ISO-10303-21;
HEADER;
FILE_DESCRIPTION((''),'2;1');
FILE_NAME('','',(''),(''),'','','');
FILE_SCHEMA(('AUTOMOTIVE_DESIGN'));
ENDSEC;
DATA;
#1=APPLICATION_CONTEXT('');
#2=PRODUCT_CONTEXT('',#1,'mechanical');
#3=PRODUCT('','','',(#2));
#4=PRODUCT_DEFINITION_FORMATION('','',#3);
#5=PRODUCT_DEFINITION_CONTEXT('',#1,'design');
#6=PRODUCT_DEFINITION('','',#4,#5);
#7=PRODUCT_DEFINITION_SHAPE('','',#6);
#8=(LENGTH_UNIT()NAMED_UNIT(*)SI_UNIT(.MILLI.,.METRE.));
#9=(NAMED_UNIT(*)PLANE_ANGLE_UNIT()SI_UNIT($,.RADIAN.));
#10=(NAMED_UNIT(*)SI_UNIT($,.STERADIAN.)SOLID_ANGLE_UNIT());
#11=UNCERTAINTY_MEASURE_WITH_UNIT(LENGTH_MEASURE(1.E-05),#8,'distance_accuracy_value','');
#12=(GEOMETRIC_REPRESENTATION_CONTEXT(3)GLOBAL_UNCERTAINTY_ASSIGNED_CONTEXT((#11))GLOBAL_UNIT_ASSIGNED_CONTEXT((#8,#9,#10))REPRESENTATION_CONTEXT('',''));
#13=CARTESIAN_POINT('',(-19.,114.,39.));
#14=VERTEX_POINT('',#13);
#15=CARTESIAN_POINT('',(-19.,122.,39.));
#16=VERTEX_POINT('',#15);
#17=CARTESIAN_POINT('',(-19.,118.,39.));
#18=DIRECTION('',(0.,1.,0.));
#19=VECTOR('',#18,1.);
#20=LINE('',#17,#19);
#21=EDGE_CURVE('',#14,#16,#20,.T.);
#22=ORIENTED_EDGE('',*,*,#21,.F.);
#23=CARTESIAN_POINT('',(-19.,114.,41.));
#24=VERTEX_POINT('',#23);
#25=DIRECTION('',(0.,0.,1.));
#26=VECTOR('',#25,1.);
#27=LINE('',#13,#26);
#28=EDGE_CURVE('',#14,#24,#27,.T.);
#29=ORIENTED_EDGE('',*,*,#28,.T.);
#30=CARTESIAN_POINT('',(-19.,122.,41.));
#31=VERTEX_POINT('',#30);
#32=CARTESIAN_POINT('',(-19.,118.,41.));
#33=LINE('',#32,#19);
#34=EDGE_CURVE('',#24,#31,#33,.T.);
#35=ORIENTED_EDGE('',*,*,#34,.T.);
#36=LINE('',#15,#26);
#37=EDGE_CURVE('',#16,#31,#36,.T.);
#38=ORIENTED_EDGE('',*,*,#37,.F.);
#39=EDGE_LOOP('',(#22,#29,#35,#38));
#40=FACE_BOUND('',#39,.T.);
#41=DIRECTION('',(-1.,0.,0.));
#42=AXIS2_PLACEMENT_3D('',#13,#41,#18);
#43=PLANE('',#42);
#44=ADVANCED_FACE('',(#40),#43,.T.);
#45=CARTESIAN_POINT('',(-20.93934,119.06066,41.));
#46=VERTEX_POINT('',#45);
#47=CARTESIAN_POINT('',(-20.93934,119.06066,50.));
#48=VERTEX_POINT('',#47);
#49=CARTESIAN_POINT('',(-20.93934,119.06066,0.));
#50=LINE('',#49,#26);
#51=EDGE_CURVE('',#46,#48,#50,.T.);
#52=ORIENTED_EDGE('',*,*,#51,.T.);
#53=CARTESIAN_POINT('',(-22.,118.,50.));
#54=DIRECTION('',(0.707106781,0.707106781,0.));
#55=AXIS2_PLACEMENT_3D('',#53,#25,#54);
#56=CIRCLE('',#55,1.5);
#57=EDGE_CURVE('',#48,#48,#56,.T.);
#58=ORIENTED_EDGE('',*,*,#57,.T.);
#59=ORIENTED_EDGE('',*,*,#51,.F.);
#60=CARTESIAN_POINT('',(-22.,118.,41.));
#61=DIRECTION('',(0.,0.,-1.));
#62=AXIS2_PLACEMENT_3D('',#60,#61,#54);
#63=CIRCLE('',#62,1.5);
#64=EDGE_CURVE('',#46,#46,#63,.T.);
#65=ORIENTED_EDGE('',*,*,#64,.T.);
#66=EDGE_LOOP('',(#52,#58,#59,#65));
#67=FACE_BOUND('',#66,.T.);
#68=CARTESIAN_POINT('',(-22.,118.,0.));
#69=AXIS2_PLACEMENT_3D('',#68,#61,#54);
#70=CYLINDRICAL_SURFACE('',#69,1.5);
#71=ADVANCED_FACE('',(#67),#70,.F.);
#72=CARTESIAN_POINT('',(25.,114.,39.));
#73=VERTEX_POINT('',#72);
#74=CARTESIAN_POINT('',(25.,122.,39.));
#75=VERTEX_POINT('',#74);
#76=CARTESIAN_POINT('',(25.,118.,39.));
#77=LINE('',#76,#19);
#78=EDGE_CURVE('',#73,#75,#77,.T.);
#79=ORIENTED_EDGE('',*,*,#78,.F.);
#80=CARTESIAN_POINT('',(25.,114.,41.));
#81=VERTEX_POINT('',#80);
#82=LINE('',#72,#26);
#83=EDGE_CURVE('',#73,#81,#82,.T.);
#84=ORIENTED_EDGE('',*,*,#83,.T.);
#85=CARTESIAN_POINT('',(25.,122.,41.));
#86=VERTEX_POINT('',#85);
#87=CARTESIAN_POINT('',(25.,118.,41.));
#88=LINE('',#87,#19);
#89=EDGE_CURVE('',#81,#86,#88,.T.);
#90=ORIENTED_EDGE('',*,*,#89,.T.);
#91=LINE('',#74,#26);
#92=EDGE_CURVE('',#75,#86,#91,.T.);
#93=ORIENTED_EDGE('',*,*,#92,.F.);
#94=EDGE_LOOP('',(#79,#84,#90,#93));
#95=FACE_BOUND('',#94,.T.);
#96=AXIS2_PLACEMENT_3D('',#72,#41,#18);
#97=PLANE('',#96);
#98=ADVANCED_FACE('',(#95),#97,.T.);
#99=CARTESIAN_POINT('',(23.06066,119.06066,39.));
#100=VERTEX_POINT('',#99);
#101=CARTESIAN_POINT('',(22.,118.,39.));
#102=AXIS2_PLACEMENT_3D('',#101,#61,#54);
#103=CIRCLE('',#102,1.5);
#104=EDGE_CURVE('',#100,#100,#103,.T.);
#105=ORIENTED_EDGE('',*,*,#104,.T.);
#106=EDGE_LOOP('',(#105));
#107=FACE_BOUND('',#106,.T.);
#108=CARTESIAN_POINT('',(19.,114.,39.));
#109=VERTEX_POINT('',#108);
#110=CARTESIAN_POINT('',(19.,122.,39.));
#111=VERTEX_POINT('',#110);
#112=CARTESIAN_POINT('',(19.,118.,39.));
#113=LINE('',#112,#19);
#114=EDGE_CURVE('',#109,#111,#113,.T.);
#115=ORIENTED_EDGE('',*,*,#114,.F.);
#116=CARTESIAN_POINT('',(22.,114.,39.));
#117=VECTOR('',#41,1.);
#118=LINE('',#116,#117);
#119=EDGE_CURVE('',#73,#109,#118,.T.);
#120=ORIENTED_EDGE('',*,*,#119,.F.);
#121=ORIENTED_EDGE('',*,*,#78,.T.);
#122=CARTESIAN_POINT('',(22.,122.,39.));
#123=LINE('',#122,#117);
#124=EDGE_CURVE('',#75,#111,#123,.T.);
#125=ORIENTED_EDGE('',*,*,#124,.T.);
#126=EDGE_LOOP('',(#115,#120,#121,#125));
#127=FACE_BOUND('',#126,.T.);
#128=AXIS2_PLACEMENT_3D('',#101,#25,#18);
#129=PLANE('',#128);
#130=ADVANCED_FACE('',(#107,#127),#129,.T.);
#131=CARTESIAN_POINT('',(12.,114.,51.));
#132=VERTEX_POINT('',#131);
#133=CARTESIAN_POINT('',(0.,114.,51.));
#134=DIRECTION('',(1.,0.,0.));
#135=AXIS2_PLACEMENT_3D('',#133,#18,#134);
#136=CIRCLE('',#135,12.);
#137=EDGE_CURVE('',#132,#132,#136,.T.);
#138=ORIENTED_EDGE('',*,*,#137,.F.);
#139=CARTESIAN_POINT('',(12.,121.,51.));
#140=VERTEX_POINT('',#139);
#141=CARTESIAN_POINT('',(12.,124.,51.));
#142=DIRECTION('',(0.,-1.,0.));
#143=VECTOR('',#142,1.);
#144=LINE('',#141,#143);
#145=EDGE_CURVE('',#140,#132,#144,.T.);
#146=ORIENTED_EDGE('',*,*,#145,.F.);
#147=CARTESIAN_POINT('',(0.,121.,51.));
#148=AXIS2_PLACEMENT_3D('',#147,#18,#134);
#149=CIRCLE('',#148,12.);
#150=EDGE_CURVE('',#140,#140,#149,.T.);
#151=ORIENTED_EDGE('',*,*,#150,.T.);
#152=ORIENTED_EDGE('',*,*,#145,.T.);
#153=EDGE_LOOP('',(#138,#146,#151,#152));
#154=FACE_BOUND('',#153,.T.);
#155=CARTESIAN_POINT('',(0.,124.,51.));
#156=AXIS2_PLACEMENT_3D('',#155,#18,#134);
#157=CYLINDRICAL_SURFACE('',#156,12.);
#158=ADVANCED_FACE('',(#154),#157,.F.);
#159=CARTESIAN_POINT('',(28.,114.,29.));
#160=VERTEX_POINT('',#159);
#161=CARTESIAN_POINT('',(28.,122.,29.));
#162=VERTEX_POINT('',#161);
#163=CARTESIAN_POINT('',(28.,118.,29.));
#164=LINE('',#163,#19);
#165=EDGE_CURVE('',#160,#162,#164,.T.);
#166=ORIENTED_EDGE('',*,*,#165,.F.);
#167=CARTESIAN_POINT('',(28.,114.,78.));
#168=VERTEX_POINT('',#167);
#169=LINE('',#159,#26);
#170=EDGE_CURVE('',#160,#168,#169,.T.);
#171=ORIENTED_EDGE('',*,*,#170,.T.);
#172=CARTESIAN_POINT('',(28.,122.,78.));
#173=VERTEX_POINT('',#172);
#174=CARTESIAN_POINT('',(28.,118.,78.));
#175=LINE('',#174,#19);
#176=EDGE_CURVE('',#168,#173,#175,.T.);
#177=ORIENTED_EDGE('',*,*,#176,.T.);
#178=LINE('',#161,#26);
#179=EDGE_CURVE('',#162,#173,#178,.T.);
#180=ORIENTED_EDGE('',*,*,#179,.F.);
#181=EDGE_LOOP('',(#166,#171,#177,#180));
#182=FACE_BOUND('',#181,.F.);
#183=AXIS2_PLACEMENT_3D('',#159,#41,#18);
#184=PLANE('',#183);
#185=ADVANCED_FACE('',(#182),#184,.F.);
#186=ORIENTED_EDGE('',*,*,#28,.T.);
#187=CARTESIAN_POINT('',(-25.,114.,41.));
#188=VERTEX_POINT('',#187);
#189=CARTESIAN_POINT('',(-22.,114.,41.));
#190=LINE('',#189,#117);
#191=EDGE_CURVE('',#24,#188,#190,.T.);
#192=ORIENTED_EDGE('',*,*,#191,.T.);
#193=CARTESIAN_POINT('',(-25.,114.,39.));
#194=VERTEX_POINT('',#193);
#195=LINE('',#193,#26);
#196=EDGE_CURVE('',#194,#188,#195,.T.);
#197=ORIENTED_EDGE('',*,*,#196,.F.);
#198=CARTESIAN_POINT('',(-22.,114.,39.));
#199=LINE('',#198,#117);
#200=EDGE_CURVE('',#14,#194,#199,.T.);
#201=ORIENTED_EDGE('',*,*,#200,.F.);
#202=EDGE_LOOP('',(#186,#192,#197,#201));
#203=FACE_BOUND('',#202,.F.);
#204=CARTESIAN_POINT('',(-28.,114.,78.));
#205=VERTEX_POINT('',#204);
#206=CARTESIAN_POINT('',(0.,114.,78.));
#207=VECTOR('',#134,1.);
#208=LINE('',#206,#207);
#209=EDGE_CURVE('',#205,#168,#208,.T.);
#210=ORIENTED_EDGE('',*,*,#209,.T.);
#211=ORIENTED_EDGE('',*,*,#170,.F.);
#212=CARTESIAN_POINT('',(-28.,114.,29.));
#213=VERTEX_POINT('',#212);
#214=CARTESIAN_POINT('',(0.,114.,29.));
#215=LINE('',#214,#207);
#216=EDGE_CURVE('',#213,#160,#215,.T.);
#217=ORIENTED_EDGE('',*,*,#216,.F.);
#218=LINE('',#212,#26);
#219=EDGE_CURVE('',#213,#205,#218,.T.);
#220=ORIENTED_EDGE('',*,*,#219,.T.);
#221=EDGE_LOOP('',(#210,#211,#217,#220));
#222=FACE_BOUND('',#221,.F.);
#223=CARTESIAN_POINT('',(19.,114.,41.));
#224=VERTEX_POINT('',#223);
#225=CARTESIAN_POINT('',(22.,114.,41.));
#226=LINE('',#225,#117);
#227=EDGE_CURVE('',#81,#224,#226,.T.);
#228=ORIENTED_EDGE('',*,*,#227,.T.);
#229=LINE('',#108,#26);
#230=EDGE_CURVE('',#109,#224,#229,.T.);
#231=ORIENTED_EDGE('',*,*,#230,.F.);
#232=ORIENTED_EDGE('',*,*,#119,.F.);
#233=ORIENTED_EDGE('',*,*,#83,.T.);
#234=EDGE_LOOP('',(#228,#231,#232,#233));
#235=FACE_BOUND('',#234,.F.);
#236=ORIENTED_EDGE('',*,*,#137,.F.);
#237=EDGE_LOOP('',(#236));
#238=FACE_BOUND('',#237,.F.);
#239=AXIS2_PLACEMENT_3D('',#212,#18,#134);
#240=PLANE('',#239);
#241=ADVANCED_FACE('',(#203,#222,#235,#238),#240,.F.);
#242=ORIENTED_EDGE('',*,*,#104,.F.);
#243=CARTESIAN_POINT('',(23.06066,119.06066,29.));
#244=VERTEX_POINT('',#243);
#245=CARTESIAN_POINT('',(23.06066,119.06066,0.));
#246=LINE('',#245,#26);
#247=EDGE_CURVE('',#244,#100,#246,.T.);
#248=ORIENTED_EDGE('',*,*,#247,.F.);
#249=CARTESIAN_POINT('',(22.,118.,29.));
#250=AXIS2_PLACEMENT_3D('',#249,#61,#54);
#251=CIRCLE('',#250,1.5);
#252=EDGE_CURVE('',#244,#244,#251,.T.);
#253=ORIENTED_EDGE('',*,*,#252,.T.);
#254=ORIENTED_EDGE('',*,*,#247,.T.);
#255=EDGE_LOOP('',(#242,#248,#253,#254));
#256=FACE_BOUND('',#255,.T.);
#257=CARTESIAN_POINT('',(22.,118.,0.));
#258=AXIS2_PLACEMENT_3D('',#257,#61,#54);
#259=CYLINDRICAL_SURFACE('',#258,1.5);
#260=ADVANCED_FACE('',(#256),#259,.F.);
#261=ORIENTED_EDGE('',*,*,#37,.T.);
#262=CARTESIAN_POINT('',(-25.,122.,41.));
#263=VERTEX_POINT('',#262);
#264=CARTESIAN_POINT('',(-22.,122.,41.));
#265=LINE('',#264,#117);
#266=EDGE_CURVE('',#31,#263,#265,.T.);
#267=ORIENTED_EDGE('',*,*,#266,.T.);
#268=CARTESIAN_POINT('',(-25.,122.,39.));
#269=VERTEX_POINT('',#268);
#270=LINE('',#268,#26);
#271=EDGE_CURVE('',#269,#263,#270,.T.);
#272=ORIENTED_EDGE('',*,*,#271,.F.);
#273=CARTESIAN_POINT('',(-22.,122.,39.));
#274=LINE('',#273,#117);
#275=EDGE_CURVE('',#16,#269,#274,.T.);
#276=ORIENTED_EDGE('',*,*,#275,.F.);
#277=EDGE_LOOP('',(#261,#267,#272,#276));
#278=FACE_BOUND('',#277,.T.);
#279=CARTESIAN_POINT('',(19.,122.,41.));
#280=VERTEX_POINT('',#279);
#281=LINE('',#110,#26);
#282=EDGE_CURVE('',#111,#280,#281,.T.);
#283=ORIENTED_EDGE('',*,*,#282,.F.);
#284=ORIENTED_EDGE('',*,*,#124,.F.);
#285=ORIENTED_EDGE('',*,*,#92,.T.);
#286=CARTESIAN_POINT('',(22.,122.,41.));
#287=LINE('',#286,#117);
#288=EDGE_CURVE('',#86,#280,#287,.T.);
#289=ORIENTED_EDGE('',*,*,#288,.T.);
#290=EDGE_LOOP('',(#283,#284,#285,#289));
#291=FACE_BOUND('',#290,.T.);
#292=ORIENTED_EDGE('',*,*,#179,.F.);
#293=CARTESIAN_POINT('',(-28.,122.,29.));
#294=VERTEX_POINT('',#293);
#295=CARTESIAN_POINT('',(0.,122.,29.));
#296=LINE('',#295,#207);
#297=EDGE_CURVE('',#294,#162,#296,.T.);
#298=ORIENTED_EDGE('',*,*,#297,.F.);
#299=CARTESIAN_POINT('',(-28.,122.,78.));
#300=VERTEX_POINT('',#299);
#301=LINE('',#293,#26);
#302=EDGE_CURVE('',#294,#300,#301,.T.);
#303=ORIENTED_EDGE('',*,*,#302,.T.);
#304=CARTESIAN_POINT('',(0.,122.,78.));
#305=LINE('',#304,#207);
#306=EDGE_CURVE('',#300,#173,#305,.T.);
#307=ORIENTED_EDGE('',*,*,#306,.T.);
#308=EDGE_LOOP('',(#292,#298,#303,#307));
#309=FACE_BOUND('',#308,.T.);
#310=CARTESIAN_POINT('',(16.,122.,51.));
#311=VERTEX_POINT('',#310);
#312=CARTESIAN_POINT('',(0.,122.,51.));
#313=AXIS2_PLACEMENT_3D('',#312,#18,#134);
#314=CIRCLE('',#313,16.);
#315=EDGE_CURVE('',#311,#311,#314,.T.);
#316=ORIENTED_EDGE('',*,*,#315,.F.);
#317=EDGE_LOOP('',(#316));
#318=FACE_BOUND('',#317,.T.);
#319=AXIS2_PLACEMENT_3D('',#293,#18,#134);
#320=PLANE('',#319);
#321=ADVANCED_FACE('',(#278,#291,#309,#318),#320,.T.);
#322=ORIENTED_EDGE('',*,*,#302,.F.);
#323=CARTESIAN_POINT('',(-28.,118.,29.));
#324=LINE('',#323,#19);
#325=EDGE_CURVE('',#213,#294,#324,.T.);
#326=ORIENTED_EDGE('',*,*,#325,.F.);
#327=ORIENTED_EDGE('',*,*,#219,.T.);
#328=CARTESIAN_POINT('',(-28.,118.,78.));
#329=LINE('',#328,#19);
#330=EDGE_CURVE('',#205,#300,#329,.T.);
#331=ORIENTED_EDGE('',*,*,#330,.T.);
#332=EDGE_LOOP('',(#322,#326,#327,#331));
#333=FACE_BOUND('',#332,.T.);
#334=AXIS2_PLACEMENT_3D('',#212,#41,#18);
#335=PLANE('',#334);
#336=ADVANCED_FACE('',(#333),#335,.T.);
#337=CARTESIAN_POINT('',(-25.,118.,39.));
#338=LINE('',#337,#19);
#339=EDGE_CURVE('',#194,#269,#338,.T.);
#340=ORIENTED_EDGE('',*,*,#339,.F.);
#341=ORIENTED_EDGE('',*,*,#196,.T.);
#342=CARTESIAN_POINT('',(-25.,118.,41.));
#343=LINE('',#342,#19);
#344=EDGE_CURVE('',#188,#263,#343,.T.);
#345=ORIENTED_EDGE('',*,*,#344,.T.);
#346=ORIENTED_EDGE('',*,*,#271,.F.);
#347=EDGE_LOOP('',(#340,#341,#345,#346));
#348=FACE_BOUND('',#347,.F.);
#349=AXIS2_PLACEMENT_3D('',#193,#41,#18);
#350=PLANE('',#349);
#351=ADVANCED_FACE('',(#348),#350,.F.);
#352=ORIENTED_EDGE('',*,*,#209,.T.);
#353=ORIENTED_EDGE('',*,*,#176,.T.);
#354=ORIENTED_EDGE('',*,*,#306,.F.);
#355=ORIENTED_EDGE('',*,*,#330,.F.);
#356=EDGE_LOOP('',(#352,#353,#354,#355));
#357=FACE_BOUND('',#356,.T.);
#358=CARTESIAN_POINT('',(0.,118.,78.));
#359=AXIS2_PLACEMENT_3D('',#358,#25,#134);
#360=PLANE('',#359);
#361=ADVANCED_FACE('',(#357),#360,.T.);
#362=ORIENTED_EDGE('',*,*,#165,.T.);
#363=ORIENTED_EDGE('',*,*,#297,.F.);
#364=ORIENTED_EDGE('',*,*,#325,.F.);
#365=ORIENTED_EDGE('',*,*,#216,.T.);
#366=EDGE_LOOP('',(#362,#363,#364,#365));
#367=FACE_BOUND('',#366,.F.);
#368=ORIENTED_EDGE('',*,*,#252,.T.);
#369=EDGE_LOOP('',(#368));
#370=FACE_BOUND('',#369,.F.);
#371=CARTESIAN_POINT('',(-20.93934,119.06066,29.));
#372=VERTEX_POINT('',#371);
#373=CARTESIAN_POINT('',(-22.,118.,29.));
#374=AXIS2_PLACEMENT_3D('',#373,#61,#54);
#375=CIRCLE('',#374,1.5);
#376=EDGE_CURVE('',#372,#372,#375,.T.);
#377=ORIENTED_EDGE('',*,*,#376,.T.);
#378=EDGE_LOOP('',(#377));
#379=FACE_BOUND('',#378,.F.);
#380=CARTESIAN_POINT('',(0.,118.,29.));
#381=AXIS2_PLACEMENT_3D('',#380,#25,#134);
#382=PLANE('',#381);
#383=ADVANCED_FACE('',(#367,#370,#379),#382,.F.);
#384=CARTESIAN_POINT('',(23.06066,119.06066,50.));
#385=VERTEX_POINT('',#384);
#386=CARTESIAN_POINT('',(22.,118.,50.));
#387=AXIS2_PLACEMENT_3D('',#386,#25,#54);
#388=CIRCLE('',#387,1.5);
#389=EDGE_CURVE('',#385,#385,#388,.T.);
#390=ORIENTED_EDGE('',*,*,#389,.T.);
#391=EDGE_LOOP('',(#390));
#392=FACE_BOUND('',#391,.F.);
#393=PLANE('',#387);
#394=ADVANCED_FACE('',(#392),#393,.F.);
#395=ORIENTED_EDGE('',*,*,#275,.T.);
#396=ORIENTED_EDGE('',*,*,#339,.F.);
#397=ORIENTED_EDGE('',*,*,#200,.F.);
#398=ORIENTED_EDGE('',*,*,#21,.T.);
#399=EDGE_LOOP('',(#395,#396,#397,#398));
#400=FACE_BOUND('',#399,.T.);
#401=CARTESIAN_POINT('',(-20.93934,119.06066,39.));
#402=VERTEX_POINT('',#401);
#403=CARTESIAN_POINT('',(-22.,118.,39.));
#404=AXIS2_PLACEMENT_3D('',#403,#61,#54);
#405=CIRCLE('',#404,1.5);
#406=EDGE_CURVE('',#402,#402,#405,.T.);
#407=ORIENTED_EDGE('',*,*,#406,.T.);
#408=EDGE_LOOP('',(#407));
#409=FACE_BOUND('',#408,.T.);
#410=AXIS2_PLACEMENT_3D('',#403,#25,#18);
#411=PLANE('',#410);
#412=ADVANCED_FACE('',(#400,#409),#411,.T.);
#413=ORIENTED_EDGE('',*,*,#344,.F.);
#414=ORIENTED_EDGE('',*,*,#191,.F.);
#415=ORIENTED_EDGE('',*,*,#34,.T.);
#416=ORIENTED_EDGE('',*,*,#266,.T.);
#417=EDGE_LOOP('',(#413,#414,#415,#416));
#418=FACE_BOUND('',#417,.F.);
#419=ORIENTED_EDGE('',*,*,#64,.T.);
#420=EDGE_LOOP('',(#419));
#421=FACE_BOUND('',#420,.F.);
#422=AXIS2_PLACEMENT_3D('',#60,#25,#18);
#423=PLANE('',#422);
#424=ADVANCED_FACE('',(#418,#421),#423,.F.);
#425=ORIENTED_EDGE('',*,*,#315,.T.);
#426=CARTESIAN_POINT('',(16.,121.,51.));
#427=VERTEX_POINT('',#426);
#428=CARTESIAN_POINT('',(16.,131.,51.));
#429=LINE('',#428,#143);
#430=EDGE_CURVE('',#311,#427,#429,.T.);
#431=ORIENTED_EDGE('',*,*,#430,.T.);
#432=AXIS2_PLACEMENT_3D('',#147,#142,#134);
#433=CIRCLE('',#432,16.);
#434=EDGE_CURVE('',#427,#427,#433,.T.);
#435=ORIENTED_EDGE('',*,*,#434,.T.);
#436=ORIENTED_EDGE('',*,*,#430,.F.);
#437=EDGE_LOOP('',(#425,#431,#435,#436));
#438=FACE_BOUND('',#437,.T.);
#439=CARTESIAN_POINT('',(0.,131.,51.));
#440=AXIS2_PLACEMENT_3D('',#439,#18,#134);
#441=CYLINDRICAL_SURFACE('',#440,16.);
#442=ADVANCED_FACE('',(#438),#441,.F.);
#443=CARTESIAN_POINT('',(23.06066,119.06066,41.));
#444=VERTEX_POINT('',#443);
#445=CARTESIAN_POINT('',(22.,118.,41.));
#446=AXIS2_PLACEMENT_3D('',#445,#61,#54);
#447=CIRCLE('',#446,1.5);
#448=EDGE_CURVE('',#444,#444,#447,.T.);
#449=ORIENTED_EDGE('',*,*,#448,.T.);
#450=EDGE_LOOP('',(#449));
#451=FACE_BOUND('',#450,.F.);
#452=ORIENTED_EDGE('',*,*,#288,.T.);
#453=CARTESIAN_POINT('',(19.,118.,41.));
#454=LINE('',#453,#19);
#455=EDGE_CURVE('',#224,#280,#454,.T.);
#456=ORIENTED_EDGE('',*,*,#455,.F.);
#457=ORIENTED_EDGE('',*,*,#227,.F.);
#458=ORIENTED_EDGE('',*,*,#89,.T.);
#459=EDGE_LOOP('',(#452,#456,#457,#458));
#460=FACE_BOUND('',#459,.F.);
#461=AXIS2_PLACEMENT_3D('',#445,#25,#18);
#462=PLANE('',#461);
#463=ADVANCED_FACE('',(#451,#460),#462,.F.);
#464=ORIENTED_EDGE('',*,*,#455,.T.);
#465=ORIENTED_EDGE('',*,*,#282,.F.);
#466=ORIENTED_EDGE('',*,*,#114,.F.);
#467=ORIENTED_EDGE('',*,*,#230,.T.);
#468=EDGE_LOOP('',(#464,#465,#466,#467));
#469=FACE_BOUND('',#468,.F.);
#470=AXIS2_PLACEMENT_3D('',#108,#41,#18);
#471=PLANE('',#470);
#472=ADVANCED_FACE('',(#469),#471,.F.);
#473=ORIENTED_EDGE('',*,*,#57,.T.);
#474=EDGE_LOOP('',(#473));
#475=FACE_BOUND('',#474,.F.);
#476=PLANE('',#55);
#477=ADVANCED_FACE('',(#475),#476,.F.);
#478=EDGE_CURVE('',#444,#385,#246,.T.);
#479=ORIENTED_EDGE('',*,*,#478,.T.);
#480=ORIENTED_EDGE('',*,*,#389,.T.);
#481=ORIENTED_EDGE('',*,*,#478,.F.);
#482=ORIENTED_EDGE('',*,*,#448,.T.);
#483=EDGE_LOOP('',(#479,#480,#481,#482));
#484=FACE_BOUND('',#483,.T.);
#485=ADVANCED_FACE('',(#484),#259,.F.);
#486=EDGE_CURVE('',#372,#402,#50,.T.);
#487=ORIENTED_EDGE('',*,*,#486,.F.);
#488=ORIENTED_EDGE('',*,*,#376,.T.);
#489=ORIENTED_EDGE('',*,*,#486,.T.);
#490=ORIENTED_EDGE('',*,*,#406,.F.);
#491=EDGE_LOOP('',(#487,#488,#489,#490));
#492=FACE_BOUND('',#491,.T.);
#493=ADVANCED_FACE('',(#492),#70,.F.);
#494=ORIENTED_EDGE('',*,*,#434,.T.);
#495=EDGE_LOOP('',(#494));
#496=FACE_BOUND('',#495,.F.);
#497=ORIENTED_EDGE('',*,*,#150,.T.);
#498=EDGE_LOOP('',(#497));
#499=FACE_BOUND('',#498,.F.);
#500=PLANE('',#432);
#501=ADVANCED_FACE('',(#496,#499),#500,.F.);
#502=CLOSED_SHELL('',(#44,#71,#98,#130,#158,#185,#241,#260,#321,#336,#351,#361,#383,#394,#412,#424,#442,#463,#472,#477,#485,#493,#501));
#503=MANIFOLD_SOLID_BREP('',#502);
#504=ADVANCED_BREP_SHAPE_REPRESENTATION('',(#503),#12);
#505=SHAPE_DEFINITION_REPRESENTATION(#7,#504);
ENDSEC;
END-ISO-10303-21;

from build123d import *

# Parameters (mm, degrees)
TUBE044_R                    = 16
TUBE044_R_2                  = 8.5
TUBE044_DEPTH                = 10
CYLINDER1883_R               = 1.5
CYLINDER1883_DEPTH           = 50
CYLINDER1883_PLACEMENT_ANGLE = 45
CYLINDER1884_R               = 1.5
CYLINDER1884_DEPTH           = 50
CYLINDER1884_PLACEMENT_ANGLE = 45
BOX792_W                     = 8
BOX792_H                     = 6
BOX792_DEPTH                 = 2
BOX793_W                     = 8
BOX793_H                     = 6
BOX793_DEPTH                 = 2
CYLINDER1878_R               = 12
CYLINDER1878_DEPTH           = 20
BOX787_W                     = 56
BOX787_H                     = 8
BOX787_DEPTH                 = 49


with BuildPart() as f_6003_2rs004:
    # Tube044 → Tube044 (new body)
    with BuildSketch(Plane(origin=(0, 131, 51), x_dir=(1, 0, 0), z_dir=(0, -1, 0))):
        Circle(TUBE044_R)
        Circle(TUBE044_R_2, mode=Mode.SUBTRACT)
    extrude(amount=TUBE044_DEPTH)


with BuildPart() as v_lec1883:
    # Cylinder1883 → Cylinder1883 (new body)
    with BuildSketch(Plane.XY):
        Circle(CYLINDER1883_R)
    extrude(amount=CYLINDER1883_DEPTH)


with BuildPart() as v_lec1883_1:
    # Cylinder1883 placement: moved
    add(v_lec1883.part.moved(Location((22, 118, 0))).rotate(Axis((22, 118, 0), (0, 0, 1)), CYLINDER1883_PLACEMENT_ANGLE))


with BuildPart() as compound947:
    # Cylinder1884 → Cylinder1884 (new body)
    with BuildSketch(Plane.XY):
        Circle(CYLINDER1884_R)
    extrude(amount=CYLINDER1884_DEPTH)


with BuildPart() as compound947_1:
    # Cylinder1884 placement: moved
    add(compound947.part.moved(Location((-22, 118, 0))).rotate(Axis((-22, 118, 0), (0, 0, 1)), CYLINDER1884_PLACEMENT_ANGLE))

    # Compound947: union Válec1883
    add(v_lec1883_1.part)


with BuildPart() as krychle792:
    # Box792 → Box792 (new body)
    with BuildSketch(Plane(origin=(-19, 114, 39), x_dir=(0, 1, 0), z_dir=(0, 0, 1))):
        with Locations((4, 3)):
            Rectangle(BOX792_W, BOX792_H)
    extrude(amount=BOX792_DEPTH)


with BuildPart() as compound946:
    # Box793 → Box793 (new body)
    with BuildSketch(Plane(origin=(25, 114, 39), x_dir=(0, 1, 0), z_dir=(0, 0, 1))):
        with Locations((4, 3)):
            Rectangle(BOX793_W, BOX793_H)
    extrude(amount=BOX793_DEPTH)

    # Compound946: union Krychle792
    add(krychle792.part)


with BuildPart() as v_lec1878:
    # Cylinder1878 → Cylinder1878 (new body)
    with BuildSketch(Plane(origin=(0, 124, 51), x_dir=(1, 0, 0), z_dir=(0, -1, 0))):
        Circle(CYLINDER1878_R)
    extrude(amount=CYLINDER1878_DEPTH)


with BuildPart() as cut598:
    # Box787 → Box787 (new body)
    with BuildSketch(Plane(origin=(-28, 114, 29), x_dir=(1, 0, 0), z_dir=(0, 0, 1))):
        with Locations((28, 4)):
            Rectangle(BOX787_W, BOX787_H)
    extrude(amount=BOX787_DEPTH)

    # Cut591: cut Válec1878
    add(v_lec1878.part, mode=Mode.SUBTRACT)

    # Cut592: cut Compound946
    add(compound946.part, mode=Mode.SUBTRACT)

    # Cut593: cut Compound947
    add(compound947_1.part, mode=Mode.SUBTRACT)

    # Cut598: cut 6003-2RS004
    add(f_6003_2rs004.part, mode=Mode.SUBTRACT)


solid = cut598.part
